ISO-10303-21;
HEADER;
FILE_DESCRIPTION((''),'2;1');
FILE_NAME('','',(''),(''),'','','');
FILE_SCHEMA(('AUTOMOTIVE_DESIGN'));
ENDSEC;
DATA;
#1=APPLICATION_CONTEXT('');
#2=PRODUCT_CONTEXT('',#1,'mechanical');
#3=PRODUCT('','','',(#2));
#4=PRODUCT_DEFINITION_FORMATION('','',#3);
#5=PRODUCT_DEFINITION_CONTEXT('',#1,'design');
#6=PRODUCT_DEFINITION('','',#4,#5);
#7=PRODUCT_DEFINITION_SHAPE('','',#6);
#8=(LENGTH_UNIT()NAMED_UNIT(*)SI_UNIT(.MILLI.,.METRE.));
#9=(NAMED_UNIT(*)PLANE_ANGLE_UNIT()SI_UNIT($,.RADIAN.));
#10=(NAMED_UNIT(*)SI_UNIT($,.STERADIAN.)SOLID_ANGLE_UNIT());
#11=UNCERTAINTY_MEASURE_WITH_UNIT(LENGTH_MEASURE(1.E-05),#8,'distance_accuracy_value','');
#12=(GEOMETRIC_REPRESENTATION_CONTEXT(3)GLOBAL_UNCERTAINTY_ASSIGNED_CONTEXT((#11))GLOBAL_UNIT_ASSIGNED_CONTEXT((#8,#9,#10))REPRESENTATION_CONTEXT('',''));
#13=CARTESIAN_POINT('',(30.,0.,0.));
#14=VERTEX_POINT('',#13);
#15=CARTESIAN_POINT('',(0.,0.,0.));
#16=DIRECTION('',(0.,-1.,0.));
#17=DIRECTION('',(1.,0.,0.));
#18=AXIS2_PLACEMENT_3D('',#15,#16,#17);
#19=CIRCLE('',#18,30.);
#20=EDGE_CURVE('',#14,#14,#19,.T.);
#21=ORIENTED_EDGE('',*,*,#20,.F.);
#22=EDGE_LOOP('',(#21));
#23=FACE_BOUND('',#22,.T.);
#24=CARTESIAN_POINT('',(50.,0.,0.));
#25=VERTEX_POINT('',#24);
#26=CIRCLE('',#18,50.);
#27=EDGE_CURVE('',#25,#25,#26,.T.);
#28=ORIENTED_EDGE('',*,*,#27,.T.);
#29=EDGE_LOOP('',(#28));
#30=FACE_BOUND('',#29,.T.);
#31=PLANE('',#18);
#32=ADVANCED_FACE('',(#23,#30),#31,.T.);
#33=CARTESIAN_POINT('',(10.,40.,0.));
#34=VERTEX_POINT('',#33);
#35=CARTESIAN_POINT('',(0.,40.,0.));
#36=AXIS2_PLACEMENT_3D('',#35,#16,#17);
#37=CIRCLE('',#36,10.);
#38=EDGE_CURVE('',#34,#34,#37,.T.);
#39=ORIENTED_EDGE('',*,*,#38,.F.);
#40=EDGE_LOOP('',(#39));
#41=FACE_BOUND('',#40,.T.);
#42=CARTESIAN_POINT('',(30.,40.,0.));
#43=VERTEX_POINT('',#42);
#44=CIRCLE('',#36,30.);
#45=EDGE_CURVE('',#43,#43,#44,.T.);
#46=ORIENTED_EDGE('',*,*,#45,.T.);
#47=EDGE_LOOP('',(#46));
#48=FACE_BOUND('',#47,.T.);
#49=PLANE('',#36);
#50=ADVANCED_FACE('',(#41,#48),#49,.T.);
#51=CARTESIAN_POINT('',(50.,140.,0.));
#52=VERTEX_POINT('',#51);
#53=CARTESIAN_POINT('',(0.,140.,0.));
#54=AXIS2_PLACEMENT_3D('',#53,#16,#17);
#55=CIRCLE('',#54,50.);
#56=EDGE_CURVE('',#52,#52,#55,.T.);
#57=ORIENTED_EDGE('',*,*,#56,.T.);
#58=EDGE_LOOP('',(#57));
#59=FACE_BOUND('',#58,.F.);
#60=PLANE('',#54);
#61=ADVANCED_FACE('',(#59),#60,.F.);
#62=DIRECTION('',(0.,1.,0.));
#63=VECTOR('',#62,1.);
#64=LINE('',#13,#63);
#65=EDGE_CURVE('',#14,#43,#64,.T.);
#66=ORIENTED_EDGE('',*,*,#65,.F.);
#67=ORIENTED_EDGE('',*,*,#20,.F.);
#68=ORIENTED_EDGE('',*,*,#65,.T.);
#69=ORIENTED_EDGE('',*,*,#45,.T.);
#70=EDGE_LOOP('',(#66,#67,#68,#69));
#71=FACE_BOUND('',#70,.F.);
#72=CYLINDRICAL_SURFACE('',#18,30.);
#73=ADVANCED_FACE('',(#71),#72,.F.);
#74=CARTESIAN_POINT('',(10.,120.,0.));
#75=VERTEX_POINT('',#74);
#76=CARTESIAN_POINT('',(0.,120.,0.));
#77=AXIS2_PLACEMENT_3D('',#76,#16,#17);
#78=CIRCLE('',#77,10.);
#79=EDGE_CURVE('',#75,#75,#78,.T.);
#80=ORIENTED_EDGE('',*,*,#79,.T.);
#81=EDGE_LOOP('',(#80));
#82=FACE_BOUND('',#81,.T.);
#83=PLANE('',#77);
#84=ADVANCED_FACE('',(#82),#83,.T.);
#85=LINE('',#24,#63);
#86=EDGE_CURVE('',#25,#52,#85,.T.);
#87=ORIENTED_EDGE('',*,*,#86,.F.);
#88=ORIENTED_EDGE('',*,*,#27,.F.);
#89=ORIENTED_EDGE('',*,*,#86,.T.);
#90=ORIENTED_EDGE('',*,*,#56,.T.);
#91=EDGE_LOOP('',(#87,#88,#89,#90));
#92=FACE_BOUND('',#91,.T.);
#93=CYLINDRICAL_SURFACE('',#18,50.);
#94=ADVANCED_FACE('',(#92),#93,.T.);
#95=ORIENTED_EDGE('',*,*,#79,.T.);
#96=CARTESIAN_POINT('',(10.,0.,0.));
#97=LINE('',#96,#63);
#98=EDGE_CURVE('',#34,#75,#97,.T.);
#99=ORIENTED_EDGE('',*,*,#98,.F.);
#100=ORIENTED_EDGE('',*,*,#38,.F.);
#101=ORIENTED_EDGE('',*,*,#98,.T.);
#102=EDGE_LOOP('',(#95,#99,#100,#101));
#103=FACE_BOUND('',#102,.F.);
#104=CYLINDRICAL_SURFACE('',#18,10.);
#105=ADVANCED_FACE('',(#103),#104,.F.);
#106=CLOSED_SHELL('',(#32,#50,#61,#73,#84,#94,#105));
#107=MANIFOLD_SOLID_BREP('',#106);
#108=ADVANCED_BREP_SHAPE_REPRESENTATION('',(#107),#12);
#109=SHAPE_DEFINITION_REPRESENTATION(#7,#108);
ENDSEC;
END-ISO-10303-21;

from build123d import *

# Parameters (mm, degrees)
F0_R     = 50
F0_R_2   = 30
F0_R_3   = 10
F1_DEPTH = 140
F2_DEPTH = 120
F3_DEPTH = 40


with BuildPart() as f1:
    # F0 (on Front) → F1 (new body)
    with BuildSketch(Plane.XZ):
        Circle(F0_R)
        Circle(F0_R_2, mode=Mode.SUBTRACT)
        Circle(F0_R_2)
        Circle(F0_R_3, mode=Mode.SUBTRACT)
        Circle(F0_R_3)
    extrude(amount=-F1_DEPTH)

    # F0 (on Front) → F2 (cut)
    with BuildSketch(Plane.XZ):
        Circle(F0_R_3)
    extrude(amount=-F2_DEPTH, mode=Mode.SUBTRACT)

    # F0 (on Front) → F3 (cut)
    with BuildSketch(Plane.XZ):
        Circle(F0_R_2)
        Circle(F0_R_3, mode=Mode.SUBTRACT)
    extrude(amount=-F3_DEPTH, mode=Mode.SUBTRACT)


solid = f1.part
